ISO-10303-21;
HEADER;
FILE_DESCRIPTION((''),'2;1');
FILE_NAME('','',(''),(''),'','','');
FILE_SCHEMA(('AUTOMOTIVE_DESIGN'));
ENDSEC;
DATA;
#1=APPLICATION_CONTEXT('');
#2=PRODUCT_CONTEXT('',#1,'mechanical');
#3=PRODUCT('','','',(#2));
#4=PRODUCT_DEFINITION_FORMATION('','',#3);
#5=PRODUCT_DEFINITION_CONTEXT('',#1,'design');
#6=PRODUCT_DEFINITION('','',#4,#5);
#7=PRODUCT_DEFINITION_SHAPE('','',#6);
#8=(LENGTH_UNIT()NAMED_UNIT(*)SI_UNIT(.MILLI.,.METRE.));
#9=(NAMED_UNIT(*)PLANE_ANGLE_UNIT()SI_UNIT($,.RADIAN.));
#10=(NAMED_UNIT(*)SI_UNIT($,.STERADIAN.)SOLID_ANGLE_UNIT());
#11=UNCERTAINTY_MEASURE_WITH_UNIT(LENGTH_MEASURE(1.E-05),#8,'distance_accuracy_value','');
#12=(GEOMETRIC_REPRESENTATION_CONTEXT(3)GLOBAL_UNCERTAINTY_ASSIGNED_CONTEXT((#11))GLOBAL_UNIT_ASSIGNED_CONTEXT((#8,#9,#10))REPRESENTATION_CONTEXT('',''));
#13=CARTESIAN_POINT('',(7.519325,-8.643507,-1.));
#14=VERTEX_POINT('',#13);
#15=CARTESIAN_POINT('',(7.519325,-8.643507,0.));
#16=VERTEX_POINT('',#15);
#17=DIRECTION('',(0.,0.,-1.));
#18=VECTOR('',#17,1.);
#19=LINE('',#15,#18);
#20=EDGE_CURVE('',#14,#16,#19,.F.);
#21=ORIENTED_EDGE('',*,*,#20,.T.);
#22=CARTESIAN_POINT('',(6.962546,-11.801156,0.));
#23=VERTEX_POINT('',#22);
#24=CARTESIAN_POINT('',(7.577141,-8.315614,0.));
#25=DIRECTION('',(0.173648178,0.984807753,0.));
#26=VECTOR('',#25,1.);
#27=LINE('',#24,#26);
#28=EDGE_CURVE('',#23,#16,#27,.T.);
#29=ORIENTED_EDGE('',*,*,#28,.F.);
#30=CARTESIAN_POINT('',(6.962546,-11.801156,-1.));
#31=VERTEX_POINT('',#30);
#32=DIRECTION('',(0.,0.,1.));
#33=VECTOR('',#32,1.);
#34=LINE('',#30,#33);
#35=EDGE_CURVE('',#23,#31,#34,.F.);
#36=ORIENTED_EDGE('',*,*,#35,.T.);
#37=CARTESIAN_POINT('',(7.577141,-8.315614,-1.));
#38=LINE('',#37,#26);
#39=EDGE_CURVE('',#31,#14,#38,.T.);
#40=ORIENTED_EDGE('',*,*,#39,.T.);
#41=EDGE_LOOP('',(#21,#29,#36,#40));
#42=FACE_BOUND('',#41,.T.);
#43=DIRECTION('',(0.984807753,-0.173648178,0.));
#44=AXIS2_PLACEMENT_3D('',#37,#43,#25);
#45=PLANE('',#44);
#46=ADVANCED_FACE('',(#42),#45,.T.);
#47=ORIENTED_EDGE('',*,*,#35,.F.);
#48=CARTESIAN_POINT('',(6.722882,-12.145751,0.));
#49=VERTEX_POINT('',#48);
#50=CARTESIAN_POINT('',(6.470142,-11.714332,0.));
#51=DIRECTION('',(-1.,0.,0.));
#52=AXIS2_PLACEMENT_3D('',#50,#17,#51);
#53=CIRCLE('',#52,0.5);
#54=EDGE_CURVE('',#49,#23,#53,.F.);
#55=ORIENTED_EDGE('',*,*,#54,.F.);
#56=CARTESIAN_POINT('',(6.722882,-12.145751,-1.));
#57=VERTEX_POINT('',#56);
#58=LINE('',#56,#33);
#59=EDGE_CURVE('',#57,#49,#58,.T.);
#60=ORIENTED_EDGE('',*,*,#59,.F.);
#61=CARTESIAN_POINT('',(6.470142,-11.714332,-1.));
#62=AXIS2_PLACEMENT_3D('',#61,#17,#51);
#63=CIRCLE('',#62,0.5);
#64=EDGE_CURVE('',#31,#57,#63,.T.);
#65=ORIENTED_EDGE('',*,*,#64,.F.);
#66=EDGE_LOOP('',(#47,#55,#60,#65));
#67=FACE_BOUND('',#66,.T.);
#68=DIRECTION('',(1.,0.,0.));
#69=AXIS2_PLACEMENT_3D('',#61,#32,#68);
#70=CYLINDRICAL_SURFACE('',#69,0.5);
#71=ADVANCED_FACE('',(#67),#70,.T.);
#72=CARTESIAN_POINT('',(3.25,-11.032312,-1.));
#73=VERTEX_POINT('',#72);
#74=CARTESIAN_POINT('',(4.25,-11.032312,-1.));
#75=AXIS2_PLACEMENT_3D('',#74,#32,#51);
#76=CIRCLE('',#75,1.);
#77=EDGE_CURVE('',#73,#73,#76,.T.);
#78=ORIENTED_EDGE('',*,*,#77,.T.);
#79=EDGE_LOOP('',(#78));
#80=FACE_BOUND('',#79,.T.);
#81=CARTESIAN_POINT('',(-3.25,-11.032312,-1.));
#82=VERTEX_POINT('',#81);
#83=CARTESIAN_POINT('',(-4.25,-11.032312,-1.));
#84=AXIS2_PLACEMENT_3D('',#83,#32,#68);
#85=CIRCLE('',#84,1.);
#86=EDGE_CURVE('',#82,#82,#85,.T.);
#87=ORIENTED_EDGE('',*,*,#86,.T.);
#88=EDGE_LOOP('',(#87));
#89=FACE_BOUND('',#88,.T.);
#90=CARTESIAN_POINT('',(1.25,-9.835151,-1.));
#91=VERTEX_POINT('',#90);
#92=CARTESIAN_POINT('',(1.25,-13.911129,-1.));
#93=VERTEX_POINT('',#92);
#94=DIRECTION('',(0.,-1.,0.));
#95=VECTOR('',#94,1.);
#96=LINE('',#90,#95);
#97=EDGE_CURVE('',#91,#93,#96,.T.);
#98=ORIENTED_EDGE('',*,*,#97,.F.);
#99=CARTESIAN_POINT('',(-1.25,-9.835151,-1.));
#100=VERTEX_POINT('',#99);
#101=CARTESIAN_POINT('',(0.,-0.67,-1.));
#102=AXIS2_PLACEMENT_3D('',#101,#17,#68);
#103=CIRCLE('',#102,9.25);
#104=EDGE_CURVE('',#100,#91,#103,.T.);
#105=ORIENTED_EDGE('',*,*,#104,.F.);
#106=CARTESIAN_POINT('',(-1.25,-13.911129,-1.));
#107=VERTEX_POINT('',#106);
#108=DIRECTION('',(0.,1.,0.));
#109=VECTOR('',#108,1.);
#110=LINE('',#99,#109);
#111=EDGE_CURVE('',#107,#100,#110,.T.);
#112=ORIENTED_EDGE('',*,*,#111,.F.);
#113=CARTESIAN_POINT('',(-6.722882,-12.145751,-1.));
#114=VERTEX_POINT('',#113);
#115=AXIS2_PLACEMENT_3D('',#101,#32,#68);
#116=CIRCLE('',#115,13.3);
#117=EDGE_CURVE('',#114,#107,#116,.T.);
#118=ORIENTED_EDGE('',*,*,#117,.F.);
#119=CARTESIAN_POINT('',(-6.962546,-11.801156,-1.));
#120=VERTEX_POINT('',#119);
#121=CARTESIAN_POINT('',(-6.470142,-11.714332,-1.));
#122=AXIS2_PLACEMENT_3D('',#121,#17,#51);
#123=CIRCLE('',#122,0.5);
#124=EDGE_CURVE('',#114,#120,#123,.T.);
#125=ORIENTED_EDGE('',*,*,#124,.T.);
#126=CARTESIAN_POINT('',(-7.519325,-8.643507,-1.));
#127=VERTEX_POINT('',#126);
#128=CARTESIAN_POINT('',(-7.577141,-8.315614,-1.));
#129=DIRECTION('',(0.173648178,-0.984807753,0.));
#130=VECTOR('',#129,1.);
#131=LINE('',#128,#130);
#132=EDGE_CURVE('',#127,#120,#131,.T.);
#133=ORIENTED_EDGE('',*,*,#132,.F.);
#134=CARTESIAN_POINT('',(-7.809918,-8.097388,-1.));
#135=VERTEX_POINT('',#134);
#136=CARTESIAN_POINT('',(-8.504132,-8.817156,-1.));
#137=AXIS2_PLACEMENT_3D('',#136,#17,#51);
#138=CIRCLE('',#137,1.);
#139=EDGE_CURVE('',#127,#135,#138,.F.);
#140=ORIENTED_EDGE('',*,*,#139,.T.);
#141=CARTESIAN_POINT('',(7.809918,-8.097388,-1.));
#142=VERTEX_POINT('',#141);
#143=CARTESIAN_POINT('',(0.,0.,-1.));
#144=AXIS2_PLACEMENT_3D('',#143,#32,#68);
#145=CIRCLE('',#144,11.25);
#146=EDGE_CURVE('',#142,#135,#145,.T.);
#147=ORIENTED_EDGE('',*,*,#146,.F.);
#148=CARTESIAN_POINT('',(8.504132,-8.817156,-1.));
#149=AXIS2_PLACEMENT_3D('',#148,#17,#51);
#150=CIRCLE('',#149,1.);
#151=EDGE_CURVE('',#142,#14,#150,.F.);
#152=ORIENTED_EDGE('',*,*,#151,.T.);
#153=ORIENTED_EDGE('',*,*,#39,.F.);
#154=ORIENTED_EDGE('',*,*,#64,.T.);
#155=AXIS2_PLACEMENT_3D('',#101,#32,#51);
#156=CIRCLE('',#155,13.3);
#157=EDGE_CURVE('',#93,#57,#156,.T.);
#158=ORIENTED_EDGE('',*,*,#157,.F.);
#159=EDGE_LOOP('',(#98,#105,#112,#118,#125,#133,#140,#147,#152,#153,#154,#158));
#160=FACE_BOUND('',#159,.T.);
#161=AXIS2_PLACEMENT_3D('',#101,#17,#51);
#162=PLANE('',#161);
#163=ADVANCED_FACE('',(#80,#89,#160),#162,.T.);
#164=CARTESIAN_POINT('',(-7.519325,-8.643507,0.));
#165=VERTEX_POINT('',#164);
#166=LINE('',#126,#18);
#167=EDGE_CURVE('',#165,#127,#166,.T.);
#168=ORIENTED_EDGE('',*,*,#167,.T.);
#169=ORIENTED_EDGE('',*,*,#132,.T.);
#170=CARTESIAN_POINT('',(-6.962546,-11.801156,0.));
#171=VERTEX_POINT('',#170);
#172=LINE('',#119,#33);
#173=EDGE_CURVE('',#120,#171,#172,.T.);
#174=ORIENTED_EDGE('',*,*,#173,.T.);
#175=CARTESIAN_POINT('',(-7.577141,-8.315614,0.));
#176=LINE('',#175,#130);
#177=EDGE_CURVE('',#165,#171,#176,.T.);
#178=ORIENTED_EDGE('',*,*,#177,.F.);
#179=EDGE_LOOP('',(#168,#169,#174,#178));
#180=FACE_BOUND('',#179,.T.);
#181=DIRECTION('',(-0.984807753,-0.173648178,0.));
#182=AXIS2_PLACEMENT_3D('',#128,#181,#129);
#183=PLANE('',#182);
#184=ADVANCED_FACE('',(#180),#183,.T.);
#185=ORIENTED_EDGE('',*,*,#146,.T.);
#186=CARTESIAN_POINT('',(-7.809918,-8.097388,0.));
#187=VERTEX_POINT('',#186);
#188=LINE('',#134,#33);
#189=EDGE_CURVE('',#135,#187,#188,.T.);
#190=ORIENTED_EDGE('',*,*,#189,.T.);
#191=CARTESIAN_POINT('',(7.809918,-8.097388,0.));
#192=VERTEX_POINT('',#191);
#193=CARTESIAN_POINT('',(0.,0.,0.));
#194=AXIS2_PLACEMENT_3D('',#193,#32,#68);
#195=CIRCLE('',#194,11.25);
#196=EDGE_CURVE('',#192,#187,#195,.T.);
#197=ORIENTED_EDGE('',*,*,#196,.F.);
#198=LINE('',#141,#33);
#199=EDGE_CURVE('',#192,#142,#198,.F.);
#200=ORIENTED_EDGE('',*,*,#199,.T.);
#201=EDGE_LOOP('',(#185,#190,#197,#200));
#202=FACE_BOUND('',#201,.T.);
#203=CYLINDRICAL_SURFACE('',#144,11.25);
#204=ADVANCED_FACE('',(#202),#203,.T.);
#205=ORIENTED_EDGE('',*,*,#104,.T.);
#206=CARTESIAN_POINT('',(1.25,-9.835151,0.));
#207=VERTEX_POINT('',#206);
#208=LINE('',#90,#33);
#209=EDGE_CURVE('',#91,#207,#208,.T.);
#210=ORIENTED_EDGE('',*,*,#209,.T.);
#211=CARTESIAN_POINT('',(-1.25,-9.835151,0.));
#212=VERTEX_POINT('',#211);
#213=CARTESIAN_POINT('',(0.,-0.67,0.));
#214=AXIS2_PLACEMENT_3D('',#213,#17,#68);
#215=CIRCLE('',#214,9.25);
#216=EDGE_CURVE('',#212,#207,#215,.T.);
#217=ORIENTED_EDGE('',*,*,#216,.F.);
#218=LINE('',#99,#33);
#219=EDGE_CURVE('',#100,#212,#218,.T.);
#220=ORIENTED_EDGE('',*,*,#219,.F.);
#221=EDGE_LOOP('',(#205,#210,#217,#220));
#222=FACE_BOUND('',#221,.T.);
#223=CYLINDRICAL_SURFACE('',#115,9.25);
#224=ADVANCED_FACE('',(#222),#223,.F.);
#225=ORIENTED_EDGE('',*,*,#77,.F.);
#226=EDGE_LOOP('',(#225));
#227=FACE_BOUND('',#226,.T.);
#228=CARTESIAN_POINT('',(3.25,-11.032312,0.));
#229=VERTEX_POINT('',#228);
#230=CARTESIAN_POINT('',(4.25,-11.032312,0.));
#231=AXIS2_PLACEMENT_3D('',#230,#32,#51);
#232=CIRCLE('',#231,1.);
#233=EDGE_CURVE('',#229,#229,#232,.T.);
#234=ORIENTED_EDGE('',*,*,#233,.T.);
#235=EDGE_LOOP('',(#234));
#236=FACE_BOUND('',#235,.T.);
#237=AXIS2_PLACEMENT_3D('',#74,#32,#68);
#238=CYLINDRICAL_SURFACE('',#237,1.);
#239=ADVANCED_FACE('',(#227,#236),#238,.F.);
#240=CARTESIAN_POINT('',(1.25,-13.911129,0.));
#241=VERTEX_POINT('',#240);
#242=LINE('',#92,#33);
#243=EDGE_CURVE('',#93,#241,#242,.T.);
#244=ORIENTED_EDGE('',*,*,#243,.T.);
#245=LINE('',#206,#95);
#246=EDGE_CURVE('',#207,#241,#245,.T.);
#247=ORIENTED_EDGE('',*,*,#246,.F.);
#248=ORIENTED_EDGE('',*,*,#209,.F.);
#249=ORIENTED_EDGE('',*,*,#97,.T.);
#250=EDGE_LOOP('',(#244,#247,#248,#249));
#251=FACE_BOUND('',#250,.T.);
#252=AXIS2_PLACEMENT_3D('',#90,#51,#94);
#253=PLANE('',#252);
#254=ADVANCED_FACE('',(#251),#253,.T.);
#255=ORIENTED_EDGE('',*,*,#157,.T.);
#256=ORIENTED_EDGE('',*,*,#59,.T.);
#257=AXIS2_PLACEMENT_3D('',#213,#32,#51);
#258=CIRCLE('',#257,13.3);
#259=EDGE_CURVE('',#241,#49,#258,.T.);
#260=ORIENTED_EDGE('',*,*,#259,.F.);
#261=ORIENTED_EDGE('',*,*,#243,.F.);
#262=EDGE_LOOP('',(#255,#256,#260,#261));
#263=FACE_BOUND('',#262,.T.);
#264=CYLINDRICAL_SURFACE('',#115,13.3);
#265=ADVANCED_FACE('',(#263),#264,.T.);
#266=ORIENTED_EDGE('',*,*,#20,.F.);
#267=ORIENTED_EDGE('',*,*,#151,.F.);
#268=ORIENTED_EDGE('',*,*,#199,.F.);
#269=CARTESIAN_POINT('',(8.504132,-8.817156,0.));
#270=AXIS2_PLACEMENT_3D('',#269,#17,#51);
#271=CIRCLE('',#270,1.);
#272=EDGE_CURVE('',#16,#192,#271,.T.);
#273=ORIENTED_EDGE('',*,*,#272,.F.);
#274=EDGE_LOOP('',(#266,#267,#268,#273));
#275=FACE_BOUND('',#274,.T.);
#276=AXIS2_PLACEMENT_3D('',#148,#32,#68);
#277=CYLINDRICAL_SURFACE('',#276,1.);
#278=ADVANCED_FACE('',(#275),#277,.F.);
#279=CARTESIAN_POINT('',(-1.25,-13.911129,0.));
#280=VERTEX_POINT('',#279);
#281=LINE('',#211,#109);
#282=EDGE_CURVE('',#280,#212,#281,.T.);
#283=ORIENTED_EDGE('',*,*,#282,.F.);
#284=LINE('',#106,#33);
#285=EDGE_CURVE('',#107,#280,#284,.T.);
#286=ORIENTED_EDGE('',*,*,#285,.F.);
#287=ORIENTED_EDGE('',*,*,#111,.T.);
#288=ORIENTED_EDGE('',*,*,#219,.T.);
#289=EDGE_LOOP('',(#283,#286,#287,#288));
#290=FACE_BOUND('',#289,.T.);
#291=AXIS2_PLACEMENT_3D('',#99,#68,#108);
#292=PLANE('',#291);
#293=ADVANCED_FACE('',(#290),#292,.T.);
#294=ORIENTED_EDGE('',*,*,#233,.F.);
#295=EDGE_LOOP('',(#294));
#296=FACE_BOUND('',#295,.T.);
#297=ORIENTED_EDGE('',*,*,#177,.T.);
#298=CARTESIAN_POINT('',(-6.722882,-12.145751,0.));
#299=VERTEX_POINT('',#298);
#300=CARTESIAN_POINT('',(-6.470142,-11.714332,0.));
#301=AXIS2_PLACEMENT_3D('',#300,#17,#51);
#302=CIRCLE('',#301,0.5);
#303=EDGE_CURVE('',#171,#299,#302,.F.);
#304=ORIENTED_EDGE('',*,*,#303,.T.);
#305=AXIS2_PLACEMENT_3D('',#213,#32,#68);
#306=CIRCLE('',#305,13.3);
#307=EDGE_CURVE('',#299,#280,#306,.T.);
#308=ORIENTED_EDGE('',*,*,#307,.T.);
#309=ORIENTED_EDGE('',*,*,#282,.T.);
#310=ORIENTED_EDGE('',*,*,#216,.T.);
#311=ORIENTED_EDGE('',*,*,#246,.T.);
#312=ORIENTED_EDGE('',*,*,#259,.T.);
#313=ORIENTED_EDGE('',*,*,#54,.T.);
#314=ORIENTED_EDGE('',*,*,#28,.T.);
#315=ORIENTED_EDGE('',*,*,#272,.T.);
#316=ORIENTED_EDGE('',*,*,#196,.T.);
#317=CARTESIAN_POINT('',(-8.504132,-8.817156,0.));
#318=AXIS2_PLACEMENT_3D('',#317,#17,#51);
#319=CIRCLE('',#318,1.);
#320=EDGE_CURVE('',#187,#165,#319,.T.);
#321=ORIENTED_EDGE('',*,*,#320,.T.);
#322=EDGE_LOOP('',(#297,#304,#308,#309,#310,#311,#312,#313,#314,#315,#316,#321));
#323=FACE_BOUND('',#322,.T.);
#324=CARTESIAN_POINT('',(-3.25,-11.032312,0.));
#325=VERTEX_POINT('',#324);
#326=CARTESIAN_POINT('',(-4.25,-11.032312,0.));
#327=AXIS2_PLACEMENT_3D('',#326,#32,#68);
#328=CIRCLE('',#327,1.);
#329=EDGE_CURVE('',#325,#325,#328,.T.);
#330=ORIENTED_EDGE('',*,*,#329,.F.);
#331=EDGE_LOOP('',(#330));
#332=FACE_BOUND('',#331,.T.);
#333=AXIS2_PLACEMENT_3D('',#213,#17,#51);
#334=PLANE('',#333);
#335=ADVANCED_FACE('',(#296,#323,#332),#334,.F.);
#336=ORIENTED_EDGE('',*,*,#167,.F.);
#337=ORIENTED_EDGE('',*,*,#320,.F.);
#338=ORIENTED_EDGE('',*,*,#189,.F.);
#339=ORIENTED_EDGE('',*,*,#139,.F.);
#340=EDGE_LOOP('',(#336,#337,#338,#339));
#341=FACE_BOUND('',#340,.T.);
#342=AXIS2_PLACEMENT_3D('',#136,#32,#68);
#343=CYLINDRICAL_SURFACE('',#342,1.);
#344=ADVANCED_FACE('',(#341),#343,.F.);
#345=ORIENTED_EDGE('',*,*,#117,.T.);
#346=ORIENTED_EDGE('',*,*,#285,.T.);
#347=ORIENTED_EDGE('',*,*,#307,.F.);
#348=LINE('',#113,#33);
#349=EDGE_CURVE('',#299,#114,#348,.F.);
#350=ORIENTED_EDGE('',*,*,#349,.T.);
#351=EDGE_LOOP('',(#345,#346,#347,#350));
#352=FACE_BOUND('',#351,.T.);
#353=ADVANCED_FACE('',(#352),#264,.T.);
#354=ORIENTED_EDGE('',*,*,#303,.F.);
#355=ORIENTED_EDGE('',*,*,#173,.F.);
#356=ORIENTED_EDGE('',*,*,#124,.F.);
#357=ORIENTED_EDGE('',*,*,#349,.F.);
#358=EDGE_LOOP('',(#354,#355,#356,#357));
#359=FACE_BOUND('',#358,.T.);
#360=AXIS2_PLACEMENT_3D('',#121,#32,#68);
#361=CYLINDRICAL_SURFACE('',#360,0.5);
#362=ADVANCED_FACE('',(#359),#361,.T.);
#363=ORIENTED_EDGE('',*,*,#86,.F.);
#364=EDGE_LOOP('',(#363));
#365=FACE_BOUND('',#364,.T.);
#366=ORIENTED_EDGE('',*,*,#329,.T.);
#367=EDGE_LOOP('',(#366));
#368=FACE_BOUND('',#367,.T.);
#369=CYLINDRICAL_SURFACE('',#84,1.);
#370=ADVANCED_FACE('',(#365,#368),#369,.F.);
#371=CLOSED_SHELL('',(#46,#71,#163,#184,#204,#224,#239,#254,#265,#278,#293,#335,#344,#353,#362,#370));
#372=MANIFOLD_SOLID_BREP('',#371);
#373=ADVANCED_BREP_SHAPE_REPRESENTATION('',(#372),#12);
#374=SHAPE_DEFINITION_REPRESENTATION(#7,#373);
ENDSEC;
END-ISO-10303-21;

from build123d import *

# Parameters (mm, degrees)
SKETCH1_R  = 1
BODY_DEPTH = 1
FILLET1_R  = 0.5
FILLET2_R  = 1


with BuildPart() as part:
    # Sketch1 → Body (new body)
    with BuildSketch(Plane.XY):
        with BuildLine():
            Line((-1.25, -9.83515139), (-1.25, -13.911129106))
            ThreePointArc((-1.25, -13.911129106), (-4.193699318, -13.291524711), (-6.922858868, -12.026232874))
            Line((-6.922858868, -12.026232874), (-7.577141132, -8.315613763))
            ThreePointArc((-7.577141132, -8.315613763), (0, 11.25), (7.577141132, -8.315613763))
            Line((7.577141132, -8.315613763), (6.922858868, -12.026232874))
            ThreePointArc((6.922858868, -12.026232874), (4.193699318, -13.291524711), (1.25, -13.911129106))
            Line((1.25, -13.911129106), (1.25, -9.83515139))
            ThreePointArc((1.25, -9.83515139), (0, 8.58), (-1.25, -9.83515139))
        make_face()
        with Locations((4.25, -11.032311518)):
            Circle(SKETCH1_R, mode=Mode.SUBTRACT)
        with Locations((-4.25, -11.032311518)):
            Circle(SKETCH1_R, mode=Mode.SUBTRACT)
    extrude(amount=-BODY_DEPTH)

    # Fillet1
    fillet1_edges = [part.edges().sort_by_distance(p)[0] for p in [
        (-6.922858868, -12.026232874, -0.5),
        (6.922858868, -12.026232874, -0.5),
    ]]
    fillet(fillet1_edges, radius=FILLET1_R)

    # Fillet2
    fillet2_edges = [part.edges().sort_by_distance(p)[0] for p in [
        (-7.577141132, -8.315613763, -0.5),
        (7.577141132, -8.315613763, -0.5),
    ]]
    fillet(fillet2_edges, radius=FILLET2_R)


solid = part.part
